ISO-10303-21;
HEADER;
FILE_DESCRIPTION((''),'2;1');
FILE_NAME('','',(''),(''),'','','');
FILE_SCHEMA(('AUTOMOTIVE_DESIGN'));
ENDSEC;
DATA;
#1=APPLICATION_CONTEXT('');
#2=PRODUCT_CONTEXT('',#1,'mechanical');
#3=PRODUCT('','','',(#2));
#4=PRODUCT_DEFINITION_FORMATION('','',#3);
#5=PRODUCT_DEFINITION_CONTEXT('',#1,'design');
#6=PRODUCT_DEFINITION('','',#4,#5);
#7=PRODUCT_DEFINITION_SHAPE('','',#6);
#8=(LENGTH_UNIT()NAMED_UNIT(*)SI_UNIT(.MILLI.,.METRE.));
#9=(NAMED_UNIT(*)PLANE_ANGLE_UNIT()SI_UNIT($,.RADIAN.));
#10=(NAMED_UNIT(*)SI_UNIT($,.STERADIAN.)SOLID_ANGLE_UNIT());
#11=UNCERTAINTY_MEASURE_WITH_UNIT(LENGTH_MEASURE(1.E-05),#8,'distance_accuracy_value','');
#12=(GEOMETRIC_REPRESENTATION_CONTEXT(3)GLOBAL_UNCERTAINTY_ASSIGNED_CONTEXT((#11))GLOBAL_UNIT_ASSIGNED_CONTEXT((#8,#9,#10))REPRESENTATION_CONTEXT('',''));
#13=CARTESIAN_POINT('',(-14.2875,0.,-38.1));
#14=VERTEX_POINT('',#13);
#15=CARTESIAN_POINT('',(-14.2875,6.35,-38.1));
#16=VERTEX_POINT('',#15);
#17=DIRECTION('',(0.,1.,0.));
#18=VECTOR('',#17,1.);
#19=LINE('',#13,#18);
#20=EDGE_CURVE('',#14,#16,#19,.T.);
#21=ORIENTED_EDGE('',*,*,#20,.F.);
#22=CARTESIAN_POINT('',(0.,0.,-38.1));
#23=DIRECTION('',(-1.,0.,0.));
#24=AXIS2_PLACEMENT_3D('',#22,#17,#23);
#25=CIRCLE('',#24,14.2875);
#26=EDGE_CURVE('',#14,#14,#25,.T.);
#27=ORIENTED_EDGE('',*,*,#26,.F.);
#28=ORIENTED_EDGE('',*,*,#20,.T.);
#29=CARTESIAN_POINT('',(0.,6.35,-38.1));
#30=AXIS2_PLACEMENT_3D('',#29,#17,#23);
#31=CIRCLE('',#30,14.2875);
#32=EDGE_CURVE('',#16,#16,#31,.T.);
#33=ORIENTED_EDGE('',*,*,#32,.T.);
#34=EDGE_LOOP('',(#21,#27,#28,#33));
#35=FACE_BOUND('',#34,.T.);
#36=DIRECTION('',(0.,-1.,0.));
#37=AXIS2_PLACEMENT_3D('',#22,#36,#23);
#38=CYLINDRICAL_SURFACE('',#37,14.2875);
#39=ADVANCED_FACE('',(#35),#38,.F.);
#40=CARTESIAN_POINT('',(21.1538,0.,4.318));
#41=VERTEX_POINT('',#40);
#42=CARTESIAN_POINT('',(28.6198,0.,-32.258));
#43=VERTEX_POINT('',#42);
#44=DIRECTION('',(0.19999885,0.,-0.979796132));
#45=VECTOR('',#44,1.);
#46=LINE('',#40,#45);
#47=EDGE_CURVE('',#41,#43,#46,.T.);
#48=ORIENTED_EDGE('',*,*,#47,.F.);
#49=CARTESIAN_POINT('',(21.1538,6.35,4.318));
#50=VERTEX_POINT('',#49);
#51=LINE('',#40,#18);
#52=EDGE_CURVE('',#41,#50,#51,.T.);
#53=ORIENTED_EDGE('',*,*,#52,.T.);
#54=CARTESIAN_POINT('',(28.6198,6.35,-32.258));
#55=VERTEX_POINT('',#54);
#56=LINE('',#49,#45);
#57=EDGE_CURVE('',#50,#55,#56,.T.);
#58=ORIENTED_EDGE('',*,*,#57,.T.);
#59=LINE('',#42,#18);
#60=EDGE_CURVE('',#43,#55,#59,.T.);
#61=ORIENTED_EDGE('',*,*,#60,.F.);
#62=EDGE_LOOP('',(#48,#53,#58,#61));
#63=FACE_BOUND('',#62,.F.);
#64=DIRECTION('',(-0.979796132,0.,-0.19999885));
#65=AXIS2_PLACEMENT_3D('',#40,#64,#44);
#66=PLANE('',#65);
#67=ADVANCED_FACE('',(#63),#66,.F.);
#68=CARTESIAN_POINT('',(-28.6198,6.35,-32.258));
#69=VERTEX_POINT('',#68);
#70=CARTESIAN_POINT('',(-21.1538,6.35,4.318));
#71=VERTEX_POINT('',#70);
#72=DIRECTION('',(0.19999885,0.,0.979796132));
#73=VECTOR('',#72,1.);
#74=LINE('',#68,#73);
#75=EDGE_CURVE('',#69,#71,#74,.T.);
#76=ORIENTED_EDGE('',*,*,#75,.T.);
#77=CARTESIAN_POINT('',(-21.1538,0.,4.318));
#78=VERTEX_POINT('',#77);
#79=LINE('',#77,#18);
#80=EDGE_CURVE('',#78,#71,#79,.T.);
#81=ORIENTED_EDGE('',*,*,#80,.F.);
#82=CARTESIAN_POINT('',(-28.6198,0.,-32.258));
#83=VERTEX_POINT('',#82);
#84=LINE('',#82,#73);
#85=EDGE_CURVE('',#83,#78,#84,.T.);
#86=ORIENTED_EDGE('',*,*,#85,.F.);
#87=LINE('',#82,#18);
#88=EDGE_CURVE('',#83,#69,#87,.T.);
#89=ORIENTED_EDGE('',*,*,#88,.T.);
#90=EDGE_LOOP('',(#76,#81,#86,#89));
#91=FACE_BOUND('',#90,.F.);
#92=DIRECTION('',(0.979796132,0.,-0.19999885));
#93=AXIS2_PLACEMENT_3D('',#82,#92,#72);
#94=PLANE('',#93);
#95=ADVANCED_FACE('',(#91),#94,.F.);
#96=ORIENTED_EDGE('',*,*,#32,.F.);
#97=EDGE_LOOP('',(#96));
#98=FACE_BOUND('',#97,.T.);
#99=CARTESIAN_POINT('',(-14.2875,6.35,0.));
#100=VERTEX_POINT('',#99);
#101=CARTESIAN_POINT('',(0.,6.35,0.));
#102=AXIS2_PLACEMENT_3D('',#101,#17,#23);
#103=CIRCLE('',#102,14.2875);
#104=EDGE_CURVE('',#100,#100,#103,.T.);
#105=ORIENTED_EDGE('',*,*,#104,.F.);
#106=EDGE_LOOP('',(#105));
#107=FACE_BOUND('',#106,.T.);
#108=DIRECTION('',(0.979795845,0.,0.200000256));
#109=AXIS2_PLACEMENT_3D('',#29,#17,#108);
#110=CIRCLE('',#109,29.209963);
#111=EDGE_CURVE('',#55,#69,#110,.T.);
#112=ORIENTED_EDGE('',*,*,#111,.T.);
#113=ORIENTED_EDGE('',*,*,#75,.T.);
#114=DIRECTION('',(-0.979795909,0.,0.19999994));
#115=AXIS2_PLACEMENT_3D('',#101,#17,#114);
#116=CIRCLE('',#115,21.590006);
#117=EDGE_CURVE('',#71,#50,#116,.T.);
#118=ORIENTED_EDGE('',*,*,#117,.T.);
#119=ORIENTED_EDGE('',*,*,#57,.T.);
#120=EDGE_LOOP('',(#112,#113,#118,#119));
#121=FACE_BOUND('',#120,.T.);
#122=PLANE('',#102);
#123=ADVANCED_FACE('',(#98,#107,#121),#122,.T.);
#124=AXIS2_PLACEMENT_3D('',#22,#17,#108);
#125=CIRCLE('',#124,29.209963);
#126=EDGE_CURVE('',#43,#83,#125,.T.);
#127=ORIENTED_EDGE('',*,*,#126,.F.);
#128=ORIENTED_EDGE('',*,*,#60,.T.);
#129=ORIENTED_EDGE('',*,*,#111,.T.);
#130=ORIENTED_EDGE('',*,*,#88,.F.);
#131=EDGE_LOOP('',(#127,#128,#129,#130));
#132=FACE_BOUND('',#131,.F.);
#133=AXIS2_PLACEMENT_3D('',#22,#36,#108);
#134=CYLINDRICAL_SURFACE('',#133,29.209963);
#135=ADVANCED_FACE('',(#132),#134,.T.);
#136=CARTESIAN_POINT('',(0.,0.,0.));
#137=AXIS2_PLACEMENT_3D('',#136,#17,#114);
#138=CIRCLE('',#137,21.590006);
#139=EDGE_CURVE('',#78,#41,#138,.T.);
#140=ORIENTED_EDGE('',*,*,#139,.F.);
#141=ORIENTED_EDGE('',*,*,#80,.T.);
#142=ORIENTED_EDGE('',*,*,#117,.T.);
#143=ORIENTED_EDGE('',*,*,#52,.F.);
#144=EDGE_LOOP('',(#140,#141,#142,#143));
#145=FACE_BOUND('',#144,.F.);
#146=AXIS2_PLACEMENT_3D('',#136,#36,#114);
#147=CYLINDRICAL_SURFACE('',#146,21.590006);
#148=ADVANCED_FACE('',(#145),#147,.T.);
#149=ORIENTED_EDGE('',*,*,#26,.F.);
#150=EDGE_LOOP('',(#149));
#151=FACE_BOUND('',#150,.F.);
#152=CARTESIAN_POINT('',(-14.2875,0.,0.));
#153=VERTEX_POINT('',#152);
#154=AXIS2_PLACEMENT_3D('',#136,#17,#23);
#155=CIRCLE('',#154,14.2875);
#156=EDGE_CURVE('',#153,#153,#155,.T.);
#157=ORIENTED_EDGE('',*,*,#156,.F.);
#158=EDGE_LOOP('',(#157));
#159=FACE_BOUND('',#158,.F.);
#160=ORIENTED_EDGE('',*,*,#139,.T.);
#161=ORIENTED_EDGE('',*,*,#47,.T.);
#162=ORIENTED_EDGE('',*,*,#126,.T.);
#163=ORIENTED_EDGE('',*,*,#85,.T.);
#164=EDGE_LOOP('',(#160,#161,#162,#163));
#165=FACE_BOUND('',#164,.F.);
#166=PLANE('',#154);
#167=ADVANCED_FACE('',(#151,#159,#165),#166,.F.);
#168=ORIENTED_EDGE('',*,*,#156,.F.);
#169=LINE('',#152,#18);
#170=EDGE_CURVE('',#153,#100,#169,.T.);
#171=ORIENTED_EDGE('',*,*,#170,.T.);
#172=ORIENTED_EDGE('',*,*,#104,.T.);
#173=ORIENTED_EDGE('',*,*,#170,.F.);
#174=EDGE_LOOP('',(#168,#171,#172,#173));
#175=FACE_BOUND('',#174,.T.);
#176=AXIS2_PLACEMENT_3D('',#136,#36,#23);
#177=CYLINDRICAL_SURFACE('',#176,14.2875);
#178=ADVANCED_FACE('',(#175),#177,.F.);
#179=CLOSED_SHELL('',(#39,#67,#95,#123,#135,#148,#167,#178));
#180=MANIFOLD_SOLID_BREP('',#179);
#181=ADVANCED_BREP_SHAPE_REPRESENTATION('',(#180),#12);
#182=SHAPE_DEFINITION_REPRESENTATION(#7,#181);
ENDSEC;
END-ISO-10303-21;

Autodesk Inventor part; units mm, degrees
ref_plane "YZ Plane" through (0, 0, 0) normal (1, 0, 0) x (0, 1, 0)
ref_plane "XZ Plane" through (0, 0, 0) normal (0, 1, 0) x (-1, 0, 0)
ref_plane "XY Plane" through (0, 0, 0) normal (0, 0, 1) x (1, 0, 0)
sketch "Sketch1" plane through (0, 0, 0) normal (0, 1, 0) x (-1, 0, 0)
  circle A0 centre (0, 0) radius 15.24 construction
  circle A1 centre (0, -38.1) radius 22.86 construction
  circle A2 centre (0, 0) radius 14.2875
  circle A3 centre (0, -38.1) radius 14.2875
  line L0 (-14.9321, 3.048) -> (-22.3981, -33.528) construction
  line L1 (14.9321, 3.048) -> (22.3981, -33.528) construction
  arc A4 (-22.3981, -33.528) -> (22.3981, -33.528) centre (0, -38.1) ccw construction
  arc A5 (14.9321, 3.048) -> (-14.9321, 3.048) centre (0, 0) ccw construction
  line L2 (28.6198, -32.258) -> (21.1538, 4.318)
  arc A6 (21.1538, 4.318) -> (-21.1538, 4.318) centre (0, 0) ccw
  line L3 (-21.1538, 4.318) -> (-28.6198, -32.258)
  arc A7 (-28.6198, -32.258) -> (28.6198, -32.258) centre (0, -38.1) ccw
  dimension "d0" = 30.48
  dimension "d1" = 45.72
  dimension "d2" = 28.575
  dimension "d3" = 28.575
  dimension "d4" = 6.35
extrude "Extrusion1" add sketch "Sketch1" along normal blind 6.35
properties part number "DTraining2_001_E1Base"
